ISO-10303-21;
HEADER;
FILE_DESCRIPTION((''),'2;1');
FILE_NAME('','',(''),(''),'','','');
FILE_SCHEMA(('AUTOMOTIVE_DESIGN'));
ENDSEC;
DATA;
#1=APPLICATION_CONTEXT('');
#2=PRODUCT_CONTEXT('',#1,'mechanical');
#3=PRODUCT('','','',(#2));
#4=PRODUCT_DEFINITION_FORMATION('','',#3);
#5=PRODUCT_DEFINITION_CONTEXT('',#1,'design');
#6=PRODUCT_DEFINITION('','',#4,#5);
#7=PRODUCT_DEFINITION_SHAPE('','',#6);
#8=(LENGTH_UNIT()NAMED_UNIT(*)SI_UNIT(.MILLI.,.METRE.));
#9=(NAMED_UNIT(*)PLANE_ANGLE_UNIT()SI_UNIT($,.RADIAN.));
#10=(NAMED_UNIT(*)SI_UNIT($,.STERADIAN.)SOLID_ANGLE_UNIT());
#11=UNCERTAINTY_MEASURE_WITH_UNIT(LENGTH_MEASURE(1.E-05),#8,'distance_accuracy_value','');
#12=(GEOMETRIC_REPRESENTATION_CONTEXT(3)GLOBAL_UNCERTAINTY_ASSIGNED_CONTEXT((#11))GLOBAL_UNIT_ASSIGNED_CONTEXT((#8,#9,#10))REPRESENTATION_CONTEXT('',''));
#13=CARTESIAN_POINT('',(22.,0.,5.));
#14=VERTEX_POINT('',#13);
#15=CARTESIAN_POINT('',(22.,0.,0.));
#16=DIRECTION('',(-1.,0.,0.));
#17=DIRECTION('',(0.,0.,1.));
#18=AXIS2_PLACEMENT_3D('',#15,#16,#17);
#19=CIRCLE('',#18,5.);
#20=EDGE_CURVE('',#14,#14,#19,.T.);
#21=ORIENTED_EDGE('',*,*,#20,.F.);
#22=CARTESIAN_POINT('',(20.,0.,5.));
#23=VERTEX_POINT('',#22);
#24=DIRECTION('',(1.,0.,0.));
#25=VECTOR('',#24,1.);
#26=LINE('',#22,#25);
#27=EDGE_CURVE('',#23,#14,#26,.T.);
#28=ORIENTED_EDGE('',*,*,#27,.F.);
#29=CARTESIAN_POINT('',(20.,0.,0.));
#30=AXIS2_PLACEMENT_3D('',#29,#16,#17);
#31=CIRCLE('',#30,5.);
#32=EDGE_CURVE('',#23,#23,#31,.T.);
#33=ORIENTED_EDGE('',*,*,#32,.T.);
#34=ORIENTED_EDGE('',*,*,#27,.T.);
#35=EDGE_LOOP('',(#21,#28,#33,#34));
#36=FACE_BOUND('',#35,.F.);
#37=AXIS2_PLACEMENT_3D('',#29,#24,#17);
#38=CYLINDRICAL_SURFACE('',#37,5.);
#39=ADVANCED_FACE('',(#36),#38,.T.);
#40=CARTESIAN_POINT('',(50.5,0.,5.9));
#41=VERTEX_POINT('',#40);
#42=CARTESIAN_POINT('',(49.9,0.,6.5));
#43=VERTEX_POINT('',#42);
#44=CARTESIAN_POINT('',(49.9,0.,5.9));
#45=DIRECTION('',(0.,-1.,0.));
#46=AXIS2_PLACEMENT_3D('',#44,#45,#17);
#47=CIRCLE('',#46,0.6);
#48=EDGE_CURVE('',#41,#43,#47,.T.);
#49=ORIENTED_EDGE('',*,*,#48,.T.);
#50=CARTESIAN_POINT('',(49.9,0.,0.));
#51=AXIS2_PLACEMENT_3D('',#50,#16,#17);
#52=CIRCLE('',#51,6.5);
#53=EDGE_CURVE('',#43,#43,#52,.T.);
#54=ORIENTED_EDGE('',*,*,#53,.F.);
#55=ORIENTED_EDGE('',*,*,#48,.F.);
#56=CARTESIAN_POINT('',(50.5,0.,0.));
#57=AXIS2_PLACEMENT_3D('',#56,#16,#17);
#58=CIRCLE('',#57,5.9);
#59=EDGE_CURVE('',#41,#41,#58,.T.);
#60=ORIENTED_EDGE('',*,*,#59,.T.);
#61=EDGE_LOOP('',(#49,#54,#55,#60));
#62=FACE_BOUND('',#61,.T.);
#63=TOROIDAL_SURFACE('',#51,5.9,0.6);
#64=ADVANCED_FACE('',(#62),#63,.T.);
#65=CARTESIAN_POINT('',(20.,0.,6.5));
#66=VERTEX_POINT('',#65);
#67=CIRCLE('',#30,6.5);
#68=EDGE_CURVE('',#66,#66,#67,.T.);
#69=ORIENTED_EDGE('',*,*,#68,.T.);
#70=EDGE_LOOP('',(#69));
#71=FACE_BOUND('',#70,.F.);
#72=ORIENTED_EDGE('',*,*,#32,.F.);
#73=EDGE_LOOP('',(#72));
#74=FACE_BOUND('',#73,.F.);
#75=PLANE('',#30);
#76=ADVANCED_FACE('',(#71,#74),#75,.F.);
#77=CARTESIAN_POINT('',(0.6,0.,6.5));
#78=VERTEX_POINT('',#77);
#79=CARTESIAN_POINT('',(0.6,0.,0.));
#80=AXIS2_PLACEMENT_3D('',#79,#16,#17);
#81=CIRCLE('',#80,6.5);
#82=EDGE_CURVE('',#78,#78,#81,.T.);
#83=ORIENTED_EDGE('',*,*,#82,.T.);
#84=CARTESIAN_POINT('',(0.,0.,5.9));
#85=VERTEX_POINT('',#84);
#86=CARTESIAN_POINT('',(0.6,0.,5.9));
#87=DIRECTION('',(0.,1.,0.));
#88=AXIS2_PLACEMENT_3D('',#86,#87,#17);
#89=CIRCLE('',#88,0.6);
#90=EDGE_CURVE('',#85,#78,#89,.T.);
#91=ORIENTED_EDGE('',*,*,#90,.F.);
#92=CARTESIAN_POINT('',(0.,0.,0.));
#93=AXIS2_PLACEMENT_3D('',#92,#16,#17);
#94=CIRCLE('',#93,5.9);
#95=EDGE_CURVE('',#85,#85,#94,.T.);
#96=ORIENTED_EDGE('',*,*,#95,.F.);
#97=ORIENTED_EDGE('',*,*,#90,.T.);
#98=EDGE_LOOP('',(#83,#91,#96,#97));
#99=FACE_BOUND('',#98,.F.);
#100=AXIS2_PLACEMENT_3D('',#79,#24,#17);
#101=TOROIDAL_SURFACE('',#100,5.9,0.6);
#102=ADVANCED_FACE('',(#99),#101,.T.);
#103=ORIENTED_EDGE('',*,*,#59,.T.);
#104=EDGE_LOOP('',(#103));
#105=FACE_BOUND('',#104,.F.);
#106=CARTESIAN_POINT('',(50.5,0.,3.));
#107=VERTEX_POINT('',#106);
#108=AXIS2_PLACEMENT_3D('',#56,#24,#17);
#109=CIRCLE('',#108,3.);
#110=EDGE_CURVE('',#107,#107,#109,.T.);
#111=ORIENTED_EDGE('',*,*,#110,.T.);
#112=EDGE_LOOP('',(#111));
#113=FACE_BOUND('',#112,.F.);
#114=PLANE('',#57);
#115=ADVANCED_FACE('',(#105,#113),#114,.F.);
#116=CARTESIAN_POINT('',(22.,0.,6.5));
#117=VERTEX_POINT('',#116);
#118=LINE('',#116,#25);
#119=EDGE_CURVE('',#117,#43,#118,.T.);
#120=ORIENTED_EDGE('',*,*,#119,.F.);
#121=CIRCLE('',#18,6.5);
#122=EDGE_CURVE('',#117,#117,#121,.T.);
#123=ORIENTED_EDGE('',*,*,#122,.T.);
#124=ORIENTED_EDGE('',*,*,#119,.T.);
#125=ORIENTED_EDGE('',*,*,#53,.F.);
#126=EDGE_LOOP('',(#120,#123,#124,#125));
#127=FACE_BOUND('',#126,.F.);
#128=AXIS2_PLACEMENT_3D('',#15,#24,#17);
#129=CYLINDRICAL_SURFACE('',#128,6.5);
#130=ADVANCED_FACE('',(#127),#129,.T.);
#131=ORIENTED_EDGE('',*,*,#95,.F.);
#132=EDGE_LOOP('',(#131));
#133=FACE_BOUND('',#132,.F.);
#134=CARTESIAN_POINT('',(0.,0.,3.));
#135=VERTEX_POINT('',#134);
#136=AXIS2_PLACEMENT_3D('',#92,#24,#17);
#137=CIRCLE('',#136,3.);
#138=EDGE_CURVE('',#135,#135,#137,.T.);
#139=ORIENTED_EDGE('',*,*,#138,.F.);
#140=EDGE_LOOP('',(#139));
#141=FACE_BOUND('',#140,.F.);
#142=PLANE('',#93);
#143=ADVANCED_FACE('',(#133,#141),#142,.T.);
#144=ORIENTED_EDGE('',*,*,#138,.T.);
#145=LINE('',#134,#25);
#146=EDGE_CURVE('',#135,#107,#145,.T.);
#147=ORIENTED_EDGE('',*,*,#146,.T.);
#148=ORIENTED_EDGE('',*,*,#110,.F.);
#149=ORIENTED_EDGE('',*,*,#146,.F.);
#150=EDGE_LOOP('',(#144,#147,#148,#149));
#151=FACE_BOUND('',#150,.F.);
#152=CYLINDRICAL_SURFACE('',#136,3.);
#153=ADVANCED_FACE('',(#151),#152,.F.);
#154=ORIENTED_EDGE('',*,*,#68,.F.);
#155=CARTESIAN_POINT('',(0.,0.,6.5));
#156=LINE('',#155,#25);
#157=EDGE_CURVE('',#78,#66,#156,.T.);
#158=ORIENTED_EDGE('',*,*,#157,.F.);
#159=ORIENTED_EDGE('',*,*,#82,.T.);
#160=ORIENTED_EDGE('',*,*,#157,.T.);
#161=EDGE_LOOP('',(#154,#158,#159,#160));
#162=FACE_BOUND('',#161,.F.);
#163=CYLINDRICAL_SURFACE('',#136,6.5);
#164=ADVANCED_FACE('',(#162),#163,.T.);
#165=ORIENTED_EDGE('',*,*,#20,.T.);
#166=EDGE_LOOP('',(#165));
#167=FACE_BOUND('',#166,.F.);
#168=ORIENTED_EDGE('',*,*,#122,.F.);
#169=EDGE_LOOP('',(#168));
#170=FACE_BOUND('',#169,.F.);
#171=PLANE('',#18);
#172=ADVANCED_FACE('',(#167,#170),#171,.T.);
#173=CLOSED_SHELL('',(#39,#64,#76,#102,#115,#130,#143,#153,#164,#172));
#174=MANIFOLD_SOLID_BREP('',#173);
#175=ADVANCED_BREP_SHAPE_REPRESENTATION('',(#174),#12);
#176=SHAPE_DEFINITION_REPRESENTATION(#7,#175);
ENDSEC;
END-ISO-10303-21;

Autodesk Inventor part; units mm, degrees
ref_plane "YZ Plane" through (0, 0, 0) normal (1, 0, 0) x (0, 1, 0)
ref_plane "XZ Plane" through (0, 0, 0) normal (0, 1, 0) x (-1, 0, 0)
ref_plane "XY Plane" through (0, 0, 0) normal (0, 0, 1) x (1, 0, 0)
sketch "Skizze1" plane through (0, 0, 0) normal (0, 1, 0) x (-1, 0, 0)
  line L0 (0, 0) -> (0, 6.5)
  line L1 (0, 6.5) -> (-20, 6.5)
  line L2 (-20, 6.5) -> (-20, 5)
  line L3 (-20, 5) -> (-22, 5)
  line L4 (-22, 5) -> (-22, 6.5)
  line L5 (-22, 6.5) -> (-50.5, 6.5)
  line L6 (-50.5, 6.5) -> (-50.5, 0)
  line L7 (-50.5, 0) -> (0, 0)
  dimension "d0" = 13
  dimension "d1" = 20
  dimension "d2" = 2
  dimension "d3" = 28.5
  dimension "d4" = 10
revolve "Umdrehung1" add sketch "Skizze1" angle 360 about axis through (50.5, 0, 0) along (-1, 0, 0)
sketch "Skizze2" plane through (0, 0, 0) normal (-1, 0, 0) x (0, 0, 1)
  circle A0 centre (0, 0) radius 6.5 projected
  point P0 (0, 0)
hole "Bohrung1" at (0, 0, 0) direction (1, 0, 0) diameter 6 end through all
fillet "Rundung1" radius 0.6 2 edges at (0, 0, -6.5) (50.5, 0, -6.5)
properties part number "204 Welle" material "Aluminum 6061-AHC"
